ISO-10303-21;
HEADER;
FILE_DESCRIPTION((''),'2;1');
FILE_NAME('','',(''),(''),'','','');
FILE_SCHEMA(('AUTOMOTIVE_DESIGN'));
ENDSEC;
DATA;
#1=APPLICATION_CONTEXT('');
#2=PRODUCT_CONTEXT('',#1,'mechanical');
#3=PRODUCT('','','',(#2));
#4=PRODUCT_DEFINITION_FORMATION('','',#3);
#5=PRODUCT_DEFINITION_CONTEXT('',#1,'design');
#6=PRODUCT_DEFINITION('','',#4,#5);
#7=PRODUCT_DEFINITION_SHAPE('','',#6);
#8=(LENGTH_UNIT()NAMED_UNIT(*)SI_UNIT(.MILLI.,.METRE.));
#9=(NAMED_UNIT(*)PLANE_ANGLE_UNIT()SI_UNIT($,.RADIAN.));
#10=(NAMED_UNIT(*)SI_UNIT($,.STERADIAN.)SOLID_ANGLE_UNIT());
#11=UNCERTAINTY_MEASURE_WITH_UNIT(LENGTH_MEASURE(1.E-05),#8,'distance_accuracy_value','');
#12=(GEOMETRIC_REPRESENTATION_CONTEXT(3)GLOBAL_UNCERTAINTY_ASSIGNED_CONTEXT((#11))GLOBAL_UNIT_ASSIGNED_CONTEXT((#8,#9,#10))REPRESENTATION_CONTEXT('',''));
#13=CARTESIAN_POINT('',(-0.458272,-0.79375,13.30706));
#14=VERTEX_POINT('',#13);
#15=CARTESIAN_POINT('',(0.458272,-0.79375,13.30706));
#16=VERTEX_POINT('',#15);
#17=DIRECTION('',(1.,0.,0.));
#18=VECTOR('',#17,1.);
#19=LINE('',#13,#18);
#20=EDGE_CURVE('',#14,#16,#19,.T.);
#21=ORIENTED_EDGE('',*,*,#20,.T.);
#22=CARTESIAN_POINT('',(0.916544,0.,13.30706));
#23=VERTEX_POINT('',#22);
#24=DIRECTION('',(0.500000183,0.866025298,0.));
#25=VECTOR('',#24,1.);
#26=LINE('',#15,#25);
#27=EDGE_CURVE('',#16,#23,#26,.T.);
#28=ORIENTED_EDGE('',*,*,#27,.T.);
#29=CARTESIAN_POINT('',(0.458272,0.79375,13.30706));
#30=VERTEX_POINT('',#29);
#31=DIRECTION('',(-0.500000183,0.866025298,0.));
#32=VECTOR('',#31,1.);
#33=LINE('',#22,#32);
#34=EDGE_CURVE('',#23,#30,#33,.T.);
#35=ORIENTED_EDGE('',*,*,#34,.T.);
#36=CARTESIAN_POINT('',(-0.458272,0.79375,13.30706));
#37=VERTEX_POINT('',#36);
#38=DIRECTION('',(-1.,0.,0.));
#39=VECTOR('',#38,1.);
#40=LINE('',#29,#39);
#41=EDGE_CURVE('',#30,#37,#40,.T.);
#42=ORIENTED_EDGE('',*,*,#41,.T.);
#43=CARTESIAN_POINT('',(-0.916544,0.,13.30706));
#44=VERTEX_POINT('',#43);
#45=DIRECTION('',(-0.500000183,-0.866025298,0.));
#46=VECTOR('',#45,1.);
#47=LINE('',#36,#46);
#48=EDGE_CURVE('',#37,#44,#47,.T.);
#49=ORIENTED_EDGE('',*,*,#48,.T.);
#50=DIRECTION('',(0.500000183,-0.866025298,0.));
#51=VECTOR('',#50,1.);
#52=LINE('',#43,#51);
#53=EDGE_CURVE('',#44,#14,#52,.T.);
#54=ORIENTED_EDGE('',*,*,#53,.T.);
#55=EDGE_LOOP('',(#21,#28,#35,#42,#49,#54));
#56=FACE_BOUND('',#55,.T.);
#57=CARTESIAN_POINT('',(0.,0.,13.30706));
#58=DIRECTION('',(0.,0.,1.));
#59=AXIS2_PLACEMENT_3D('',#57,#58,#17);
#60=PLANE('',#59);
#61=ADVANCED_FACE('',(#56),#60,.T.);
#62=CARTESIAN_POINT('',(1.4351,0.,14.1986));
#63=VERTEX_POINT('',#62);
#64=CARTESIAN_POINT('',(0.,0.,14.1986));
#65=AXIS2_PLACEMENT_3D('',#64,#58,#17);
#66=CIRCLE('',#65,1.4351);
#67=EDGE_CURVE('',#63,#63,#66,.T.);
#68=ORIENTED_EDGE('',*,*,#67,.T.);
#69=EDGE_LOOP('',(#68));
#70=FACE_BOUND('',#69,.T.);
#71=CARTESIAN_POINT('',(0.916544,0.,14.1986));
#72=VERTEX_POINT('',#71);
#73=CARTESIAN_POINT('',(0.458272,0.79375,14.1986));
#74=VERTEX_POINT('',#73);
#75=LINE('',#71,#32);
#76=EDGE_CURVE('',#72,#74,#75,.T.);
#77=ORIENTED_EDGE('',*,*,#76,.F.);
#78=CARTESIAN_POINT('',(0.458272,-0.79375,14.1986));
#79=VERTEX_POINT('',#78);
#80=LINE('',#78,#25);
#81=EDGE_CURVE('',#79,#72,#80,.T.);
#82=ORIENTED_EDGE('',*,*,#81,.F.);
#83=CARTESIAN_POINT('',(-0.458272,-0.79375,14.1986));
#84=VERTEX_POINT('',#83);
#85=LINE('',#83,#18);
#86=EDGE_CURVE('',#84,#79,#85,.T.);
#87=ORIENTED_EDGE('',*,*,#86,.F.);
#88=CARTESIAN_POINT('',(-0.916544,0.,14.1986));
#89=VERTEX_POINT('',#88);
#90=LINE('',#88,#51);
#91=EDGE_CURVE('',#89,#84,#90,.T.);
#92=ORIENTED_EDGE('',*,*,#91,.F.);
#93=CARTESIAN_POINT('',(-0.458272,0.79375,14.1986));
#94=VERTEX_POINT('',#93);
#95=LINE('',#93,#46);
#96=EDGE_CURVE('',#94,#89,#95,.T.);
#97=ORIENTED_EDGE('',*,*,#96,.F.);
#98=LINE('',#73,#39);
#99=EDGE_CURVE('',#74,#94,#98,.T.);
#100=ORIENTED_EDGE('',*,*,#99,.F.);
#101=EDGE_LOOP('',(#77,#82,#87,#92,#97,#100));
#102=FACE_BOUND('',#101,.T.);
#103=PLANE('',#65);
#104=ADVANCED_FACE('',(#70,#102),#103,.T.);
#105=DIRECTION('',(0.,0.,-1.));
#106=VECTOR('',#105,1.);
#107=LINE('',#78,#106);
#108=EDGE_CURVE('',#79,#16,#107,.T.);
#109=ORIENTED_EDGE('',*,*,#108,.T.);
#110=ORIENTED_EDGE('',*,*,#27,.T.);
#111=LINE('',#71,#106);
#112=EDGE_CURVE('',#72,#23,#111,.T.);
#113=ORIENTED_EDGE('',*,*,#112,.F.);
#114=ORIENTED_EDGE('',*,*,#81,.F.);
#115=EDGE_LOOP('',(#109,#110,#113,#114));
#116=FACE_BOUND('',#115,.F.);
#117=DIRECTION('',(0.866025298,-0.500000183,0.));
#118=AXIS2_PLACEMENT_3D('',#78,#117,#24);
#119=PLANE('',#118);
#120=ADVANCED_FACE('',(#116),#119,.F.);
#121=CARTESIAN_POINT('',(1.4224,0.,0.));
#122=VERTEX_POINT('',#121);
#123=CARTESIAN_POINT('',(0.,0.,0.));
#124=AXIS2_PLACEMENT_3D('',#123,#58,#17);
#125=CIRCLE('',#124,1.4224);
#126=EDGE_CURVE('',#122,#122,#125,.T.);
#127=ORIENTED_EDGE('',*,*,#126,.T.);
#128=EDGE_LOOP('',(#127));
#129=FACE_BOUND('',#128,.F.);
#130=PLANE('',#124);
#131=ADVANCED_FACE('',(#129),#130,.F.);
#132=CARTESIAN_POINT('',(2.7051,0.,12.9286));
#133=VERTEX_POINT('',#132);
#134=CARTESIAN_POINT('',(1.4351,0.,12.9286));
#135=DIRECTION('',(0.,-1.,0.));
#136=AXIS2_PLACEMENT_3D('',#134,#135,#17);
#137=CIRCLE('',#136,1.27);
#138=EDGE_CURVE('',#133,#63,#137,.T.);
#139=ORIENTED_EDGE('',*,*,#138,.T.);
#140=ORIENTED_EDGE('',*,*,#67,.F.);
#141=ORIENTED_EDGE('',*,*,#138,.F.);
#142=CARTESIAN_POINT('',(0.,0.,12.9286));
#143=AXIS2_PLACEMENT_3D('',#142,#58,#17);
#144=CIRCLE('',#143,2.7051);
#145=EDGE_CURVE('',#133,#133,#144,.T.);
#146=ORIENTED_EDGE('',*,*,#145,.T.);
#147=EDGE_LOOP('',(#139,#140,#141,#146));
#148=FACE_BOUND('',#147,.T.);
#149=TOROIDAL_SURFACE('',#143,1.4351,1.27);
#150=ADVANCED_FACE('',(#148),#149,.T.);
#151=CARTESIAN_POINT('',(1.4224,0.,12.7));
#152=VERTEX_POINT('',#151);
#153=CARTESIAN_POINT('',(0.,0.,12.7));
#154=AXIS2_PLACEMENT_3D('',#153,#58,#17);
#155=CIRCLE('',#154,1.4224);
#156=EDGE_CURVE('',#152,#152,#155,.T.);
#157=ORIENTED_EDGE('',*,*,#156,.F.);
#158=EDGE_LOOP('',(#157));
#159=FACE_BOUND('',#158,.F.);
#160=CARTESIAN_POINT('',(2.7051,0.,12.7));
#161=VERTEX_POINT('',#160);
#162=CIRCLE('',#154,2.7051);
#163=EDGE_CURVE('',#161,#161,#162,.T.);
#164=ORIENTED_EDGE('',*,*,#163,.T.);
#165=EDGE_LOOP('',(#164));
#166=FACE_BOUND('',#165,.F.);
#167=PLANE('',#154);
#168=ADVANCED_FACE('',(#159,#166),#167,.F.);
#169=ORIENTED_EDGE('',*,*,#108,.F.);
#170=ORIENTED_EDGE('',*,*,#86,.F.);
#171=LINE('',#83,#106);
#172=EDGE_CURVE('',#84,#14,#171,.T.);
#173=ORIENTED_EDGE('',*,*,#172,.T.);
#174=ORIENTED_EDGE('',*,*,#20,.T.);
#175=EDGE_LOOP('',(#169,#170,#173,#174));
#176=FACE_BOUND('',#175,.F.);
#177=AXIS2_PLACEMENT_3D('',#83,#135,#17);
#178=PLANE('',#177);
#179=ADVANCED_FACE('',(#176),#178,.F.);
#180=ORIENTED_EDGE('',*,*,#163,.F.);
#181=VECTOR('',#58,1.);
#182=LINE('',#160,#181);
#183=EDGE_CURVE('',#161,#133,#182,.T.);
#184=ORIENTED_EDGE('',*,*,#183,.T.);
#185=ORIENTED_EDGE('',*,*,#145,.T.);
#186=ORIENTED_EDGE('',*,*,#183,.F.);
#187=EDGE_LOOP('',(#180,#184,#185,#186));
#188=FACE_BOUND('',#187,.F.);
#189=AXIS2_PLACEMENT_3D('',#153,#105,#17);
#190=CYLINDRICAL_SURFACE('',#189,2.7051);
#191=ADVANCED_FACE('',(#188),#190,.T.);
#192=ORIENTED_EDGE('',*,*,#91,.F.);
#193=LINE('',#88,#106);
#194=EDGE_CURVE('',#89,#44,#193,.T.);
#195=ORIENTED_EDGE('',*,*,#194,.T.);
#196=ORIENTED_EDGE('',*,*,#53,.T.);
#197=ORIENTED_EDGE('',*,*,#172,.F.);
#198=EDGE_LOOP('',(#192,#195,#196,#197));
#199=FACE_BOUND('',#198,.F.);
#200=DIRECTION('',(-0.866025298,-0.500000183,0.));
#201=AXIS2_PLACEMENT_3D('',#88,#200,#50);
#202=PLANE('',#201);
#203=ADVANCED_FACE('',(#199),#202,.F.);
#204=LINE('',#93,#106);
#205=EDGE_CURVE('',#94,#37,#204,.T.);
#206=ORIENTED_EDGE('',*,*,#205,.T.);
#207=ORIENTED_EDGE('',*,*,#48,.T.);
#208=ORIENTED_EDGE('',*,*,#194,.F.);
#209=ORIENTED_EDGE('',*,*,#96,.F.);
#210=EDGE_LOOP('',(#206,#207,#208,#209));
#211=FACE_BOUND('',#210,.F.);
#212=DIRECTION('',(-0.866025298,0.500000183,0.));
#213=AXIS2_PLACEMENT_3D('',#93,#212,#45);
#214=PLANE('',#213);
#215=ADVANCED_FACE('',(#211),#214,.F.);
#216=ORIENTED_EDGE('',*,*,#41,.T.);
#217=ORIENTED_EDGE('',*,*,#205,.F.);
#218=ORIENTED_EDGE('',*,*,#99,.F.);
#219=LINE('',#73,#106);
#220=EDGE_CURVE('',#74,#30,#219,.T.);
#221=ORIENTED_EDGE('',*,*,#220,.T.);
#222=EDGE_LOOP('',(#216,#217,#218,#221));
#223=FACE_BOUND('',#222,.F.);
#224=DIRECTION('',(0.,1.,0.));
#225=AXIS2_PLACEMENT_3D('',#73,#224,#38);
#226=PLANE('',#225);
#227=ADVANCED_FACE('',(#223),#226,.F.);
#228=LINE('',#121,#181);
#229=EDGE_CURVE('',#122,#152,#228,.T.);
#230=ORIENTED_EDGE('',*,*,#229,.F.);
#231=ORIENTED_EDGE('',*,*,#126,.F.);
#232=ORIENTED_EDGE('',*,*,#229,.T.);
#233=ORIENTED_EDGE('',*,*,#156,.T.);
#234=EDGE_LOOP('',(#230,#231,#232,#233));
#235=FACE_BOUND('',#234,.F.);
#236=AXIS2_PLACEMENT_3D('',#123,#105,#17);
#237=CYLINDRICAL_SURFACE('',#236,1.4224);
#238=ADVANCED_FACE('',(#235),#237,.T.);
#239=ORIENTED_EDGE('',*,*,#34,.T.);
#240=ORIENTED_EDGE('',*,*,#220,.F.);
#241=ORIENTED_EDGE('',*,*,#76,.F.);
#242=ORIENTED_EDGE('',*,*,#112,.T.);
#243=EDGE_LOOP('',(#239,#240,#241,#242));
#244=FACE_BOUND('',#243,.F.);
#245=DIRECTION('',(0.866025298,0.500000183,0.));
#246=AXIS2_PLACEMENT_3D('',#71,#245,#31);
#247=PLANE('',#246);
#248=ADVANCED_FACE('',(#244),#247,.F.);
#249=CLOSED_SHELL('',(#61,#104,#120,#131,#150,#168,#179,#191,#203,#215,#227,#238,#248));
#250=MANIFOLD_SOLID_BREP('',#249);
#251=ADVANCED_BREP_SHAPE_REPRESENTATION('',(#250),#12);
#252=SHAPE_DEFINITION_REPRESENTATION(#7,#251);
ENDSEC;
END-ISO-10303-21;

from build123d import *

# Parameters (mm, degrees)
F0_R     = 1.4224
F1_DEPTH = 12.7
F2_R     = 2.7051
F3_DEPTH = 1.4986
F4_R     = 1.27
F6_DEPTH = 0.89154


with BuildPart() as f1:
    # F0 (on Top) → F1 (new body)
    with BuildSketch(Plane.XY):
        Circle(F0_R)
    extrude(amount=F1_DEPTH)

    # F2 (on face) → F3 (join)
    with BuildSketch(Plane.XY.offset(12.7)):
        Circle(F2_R)
    extrude(amount=F3_DEPTH)

    # F4
    f4_edges = [f1.edges().sort_by_distance(p)[0] for p in [
        (-2.7051, 0, 14.1986),
    ]]
    fillet(f4_edges, radius=F4_R)

    # F5 (on face) → F6 (cut)
    with BuildSketch(Plane.XY.offset(14.1986)):
        Polygon((0.458272, -0.79375), (0.916544, 0), (0.458272, 0.79375), (-0.458272, 0.79375), (-0.916544, 0), (-0.458272, -0.79375), align=None)
    extrude(amount=-F6_DEPTH, mode=Mode.SUBTRACT)


solid = f1.part
